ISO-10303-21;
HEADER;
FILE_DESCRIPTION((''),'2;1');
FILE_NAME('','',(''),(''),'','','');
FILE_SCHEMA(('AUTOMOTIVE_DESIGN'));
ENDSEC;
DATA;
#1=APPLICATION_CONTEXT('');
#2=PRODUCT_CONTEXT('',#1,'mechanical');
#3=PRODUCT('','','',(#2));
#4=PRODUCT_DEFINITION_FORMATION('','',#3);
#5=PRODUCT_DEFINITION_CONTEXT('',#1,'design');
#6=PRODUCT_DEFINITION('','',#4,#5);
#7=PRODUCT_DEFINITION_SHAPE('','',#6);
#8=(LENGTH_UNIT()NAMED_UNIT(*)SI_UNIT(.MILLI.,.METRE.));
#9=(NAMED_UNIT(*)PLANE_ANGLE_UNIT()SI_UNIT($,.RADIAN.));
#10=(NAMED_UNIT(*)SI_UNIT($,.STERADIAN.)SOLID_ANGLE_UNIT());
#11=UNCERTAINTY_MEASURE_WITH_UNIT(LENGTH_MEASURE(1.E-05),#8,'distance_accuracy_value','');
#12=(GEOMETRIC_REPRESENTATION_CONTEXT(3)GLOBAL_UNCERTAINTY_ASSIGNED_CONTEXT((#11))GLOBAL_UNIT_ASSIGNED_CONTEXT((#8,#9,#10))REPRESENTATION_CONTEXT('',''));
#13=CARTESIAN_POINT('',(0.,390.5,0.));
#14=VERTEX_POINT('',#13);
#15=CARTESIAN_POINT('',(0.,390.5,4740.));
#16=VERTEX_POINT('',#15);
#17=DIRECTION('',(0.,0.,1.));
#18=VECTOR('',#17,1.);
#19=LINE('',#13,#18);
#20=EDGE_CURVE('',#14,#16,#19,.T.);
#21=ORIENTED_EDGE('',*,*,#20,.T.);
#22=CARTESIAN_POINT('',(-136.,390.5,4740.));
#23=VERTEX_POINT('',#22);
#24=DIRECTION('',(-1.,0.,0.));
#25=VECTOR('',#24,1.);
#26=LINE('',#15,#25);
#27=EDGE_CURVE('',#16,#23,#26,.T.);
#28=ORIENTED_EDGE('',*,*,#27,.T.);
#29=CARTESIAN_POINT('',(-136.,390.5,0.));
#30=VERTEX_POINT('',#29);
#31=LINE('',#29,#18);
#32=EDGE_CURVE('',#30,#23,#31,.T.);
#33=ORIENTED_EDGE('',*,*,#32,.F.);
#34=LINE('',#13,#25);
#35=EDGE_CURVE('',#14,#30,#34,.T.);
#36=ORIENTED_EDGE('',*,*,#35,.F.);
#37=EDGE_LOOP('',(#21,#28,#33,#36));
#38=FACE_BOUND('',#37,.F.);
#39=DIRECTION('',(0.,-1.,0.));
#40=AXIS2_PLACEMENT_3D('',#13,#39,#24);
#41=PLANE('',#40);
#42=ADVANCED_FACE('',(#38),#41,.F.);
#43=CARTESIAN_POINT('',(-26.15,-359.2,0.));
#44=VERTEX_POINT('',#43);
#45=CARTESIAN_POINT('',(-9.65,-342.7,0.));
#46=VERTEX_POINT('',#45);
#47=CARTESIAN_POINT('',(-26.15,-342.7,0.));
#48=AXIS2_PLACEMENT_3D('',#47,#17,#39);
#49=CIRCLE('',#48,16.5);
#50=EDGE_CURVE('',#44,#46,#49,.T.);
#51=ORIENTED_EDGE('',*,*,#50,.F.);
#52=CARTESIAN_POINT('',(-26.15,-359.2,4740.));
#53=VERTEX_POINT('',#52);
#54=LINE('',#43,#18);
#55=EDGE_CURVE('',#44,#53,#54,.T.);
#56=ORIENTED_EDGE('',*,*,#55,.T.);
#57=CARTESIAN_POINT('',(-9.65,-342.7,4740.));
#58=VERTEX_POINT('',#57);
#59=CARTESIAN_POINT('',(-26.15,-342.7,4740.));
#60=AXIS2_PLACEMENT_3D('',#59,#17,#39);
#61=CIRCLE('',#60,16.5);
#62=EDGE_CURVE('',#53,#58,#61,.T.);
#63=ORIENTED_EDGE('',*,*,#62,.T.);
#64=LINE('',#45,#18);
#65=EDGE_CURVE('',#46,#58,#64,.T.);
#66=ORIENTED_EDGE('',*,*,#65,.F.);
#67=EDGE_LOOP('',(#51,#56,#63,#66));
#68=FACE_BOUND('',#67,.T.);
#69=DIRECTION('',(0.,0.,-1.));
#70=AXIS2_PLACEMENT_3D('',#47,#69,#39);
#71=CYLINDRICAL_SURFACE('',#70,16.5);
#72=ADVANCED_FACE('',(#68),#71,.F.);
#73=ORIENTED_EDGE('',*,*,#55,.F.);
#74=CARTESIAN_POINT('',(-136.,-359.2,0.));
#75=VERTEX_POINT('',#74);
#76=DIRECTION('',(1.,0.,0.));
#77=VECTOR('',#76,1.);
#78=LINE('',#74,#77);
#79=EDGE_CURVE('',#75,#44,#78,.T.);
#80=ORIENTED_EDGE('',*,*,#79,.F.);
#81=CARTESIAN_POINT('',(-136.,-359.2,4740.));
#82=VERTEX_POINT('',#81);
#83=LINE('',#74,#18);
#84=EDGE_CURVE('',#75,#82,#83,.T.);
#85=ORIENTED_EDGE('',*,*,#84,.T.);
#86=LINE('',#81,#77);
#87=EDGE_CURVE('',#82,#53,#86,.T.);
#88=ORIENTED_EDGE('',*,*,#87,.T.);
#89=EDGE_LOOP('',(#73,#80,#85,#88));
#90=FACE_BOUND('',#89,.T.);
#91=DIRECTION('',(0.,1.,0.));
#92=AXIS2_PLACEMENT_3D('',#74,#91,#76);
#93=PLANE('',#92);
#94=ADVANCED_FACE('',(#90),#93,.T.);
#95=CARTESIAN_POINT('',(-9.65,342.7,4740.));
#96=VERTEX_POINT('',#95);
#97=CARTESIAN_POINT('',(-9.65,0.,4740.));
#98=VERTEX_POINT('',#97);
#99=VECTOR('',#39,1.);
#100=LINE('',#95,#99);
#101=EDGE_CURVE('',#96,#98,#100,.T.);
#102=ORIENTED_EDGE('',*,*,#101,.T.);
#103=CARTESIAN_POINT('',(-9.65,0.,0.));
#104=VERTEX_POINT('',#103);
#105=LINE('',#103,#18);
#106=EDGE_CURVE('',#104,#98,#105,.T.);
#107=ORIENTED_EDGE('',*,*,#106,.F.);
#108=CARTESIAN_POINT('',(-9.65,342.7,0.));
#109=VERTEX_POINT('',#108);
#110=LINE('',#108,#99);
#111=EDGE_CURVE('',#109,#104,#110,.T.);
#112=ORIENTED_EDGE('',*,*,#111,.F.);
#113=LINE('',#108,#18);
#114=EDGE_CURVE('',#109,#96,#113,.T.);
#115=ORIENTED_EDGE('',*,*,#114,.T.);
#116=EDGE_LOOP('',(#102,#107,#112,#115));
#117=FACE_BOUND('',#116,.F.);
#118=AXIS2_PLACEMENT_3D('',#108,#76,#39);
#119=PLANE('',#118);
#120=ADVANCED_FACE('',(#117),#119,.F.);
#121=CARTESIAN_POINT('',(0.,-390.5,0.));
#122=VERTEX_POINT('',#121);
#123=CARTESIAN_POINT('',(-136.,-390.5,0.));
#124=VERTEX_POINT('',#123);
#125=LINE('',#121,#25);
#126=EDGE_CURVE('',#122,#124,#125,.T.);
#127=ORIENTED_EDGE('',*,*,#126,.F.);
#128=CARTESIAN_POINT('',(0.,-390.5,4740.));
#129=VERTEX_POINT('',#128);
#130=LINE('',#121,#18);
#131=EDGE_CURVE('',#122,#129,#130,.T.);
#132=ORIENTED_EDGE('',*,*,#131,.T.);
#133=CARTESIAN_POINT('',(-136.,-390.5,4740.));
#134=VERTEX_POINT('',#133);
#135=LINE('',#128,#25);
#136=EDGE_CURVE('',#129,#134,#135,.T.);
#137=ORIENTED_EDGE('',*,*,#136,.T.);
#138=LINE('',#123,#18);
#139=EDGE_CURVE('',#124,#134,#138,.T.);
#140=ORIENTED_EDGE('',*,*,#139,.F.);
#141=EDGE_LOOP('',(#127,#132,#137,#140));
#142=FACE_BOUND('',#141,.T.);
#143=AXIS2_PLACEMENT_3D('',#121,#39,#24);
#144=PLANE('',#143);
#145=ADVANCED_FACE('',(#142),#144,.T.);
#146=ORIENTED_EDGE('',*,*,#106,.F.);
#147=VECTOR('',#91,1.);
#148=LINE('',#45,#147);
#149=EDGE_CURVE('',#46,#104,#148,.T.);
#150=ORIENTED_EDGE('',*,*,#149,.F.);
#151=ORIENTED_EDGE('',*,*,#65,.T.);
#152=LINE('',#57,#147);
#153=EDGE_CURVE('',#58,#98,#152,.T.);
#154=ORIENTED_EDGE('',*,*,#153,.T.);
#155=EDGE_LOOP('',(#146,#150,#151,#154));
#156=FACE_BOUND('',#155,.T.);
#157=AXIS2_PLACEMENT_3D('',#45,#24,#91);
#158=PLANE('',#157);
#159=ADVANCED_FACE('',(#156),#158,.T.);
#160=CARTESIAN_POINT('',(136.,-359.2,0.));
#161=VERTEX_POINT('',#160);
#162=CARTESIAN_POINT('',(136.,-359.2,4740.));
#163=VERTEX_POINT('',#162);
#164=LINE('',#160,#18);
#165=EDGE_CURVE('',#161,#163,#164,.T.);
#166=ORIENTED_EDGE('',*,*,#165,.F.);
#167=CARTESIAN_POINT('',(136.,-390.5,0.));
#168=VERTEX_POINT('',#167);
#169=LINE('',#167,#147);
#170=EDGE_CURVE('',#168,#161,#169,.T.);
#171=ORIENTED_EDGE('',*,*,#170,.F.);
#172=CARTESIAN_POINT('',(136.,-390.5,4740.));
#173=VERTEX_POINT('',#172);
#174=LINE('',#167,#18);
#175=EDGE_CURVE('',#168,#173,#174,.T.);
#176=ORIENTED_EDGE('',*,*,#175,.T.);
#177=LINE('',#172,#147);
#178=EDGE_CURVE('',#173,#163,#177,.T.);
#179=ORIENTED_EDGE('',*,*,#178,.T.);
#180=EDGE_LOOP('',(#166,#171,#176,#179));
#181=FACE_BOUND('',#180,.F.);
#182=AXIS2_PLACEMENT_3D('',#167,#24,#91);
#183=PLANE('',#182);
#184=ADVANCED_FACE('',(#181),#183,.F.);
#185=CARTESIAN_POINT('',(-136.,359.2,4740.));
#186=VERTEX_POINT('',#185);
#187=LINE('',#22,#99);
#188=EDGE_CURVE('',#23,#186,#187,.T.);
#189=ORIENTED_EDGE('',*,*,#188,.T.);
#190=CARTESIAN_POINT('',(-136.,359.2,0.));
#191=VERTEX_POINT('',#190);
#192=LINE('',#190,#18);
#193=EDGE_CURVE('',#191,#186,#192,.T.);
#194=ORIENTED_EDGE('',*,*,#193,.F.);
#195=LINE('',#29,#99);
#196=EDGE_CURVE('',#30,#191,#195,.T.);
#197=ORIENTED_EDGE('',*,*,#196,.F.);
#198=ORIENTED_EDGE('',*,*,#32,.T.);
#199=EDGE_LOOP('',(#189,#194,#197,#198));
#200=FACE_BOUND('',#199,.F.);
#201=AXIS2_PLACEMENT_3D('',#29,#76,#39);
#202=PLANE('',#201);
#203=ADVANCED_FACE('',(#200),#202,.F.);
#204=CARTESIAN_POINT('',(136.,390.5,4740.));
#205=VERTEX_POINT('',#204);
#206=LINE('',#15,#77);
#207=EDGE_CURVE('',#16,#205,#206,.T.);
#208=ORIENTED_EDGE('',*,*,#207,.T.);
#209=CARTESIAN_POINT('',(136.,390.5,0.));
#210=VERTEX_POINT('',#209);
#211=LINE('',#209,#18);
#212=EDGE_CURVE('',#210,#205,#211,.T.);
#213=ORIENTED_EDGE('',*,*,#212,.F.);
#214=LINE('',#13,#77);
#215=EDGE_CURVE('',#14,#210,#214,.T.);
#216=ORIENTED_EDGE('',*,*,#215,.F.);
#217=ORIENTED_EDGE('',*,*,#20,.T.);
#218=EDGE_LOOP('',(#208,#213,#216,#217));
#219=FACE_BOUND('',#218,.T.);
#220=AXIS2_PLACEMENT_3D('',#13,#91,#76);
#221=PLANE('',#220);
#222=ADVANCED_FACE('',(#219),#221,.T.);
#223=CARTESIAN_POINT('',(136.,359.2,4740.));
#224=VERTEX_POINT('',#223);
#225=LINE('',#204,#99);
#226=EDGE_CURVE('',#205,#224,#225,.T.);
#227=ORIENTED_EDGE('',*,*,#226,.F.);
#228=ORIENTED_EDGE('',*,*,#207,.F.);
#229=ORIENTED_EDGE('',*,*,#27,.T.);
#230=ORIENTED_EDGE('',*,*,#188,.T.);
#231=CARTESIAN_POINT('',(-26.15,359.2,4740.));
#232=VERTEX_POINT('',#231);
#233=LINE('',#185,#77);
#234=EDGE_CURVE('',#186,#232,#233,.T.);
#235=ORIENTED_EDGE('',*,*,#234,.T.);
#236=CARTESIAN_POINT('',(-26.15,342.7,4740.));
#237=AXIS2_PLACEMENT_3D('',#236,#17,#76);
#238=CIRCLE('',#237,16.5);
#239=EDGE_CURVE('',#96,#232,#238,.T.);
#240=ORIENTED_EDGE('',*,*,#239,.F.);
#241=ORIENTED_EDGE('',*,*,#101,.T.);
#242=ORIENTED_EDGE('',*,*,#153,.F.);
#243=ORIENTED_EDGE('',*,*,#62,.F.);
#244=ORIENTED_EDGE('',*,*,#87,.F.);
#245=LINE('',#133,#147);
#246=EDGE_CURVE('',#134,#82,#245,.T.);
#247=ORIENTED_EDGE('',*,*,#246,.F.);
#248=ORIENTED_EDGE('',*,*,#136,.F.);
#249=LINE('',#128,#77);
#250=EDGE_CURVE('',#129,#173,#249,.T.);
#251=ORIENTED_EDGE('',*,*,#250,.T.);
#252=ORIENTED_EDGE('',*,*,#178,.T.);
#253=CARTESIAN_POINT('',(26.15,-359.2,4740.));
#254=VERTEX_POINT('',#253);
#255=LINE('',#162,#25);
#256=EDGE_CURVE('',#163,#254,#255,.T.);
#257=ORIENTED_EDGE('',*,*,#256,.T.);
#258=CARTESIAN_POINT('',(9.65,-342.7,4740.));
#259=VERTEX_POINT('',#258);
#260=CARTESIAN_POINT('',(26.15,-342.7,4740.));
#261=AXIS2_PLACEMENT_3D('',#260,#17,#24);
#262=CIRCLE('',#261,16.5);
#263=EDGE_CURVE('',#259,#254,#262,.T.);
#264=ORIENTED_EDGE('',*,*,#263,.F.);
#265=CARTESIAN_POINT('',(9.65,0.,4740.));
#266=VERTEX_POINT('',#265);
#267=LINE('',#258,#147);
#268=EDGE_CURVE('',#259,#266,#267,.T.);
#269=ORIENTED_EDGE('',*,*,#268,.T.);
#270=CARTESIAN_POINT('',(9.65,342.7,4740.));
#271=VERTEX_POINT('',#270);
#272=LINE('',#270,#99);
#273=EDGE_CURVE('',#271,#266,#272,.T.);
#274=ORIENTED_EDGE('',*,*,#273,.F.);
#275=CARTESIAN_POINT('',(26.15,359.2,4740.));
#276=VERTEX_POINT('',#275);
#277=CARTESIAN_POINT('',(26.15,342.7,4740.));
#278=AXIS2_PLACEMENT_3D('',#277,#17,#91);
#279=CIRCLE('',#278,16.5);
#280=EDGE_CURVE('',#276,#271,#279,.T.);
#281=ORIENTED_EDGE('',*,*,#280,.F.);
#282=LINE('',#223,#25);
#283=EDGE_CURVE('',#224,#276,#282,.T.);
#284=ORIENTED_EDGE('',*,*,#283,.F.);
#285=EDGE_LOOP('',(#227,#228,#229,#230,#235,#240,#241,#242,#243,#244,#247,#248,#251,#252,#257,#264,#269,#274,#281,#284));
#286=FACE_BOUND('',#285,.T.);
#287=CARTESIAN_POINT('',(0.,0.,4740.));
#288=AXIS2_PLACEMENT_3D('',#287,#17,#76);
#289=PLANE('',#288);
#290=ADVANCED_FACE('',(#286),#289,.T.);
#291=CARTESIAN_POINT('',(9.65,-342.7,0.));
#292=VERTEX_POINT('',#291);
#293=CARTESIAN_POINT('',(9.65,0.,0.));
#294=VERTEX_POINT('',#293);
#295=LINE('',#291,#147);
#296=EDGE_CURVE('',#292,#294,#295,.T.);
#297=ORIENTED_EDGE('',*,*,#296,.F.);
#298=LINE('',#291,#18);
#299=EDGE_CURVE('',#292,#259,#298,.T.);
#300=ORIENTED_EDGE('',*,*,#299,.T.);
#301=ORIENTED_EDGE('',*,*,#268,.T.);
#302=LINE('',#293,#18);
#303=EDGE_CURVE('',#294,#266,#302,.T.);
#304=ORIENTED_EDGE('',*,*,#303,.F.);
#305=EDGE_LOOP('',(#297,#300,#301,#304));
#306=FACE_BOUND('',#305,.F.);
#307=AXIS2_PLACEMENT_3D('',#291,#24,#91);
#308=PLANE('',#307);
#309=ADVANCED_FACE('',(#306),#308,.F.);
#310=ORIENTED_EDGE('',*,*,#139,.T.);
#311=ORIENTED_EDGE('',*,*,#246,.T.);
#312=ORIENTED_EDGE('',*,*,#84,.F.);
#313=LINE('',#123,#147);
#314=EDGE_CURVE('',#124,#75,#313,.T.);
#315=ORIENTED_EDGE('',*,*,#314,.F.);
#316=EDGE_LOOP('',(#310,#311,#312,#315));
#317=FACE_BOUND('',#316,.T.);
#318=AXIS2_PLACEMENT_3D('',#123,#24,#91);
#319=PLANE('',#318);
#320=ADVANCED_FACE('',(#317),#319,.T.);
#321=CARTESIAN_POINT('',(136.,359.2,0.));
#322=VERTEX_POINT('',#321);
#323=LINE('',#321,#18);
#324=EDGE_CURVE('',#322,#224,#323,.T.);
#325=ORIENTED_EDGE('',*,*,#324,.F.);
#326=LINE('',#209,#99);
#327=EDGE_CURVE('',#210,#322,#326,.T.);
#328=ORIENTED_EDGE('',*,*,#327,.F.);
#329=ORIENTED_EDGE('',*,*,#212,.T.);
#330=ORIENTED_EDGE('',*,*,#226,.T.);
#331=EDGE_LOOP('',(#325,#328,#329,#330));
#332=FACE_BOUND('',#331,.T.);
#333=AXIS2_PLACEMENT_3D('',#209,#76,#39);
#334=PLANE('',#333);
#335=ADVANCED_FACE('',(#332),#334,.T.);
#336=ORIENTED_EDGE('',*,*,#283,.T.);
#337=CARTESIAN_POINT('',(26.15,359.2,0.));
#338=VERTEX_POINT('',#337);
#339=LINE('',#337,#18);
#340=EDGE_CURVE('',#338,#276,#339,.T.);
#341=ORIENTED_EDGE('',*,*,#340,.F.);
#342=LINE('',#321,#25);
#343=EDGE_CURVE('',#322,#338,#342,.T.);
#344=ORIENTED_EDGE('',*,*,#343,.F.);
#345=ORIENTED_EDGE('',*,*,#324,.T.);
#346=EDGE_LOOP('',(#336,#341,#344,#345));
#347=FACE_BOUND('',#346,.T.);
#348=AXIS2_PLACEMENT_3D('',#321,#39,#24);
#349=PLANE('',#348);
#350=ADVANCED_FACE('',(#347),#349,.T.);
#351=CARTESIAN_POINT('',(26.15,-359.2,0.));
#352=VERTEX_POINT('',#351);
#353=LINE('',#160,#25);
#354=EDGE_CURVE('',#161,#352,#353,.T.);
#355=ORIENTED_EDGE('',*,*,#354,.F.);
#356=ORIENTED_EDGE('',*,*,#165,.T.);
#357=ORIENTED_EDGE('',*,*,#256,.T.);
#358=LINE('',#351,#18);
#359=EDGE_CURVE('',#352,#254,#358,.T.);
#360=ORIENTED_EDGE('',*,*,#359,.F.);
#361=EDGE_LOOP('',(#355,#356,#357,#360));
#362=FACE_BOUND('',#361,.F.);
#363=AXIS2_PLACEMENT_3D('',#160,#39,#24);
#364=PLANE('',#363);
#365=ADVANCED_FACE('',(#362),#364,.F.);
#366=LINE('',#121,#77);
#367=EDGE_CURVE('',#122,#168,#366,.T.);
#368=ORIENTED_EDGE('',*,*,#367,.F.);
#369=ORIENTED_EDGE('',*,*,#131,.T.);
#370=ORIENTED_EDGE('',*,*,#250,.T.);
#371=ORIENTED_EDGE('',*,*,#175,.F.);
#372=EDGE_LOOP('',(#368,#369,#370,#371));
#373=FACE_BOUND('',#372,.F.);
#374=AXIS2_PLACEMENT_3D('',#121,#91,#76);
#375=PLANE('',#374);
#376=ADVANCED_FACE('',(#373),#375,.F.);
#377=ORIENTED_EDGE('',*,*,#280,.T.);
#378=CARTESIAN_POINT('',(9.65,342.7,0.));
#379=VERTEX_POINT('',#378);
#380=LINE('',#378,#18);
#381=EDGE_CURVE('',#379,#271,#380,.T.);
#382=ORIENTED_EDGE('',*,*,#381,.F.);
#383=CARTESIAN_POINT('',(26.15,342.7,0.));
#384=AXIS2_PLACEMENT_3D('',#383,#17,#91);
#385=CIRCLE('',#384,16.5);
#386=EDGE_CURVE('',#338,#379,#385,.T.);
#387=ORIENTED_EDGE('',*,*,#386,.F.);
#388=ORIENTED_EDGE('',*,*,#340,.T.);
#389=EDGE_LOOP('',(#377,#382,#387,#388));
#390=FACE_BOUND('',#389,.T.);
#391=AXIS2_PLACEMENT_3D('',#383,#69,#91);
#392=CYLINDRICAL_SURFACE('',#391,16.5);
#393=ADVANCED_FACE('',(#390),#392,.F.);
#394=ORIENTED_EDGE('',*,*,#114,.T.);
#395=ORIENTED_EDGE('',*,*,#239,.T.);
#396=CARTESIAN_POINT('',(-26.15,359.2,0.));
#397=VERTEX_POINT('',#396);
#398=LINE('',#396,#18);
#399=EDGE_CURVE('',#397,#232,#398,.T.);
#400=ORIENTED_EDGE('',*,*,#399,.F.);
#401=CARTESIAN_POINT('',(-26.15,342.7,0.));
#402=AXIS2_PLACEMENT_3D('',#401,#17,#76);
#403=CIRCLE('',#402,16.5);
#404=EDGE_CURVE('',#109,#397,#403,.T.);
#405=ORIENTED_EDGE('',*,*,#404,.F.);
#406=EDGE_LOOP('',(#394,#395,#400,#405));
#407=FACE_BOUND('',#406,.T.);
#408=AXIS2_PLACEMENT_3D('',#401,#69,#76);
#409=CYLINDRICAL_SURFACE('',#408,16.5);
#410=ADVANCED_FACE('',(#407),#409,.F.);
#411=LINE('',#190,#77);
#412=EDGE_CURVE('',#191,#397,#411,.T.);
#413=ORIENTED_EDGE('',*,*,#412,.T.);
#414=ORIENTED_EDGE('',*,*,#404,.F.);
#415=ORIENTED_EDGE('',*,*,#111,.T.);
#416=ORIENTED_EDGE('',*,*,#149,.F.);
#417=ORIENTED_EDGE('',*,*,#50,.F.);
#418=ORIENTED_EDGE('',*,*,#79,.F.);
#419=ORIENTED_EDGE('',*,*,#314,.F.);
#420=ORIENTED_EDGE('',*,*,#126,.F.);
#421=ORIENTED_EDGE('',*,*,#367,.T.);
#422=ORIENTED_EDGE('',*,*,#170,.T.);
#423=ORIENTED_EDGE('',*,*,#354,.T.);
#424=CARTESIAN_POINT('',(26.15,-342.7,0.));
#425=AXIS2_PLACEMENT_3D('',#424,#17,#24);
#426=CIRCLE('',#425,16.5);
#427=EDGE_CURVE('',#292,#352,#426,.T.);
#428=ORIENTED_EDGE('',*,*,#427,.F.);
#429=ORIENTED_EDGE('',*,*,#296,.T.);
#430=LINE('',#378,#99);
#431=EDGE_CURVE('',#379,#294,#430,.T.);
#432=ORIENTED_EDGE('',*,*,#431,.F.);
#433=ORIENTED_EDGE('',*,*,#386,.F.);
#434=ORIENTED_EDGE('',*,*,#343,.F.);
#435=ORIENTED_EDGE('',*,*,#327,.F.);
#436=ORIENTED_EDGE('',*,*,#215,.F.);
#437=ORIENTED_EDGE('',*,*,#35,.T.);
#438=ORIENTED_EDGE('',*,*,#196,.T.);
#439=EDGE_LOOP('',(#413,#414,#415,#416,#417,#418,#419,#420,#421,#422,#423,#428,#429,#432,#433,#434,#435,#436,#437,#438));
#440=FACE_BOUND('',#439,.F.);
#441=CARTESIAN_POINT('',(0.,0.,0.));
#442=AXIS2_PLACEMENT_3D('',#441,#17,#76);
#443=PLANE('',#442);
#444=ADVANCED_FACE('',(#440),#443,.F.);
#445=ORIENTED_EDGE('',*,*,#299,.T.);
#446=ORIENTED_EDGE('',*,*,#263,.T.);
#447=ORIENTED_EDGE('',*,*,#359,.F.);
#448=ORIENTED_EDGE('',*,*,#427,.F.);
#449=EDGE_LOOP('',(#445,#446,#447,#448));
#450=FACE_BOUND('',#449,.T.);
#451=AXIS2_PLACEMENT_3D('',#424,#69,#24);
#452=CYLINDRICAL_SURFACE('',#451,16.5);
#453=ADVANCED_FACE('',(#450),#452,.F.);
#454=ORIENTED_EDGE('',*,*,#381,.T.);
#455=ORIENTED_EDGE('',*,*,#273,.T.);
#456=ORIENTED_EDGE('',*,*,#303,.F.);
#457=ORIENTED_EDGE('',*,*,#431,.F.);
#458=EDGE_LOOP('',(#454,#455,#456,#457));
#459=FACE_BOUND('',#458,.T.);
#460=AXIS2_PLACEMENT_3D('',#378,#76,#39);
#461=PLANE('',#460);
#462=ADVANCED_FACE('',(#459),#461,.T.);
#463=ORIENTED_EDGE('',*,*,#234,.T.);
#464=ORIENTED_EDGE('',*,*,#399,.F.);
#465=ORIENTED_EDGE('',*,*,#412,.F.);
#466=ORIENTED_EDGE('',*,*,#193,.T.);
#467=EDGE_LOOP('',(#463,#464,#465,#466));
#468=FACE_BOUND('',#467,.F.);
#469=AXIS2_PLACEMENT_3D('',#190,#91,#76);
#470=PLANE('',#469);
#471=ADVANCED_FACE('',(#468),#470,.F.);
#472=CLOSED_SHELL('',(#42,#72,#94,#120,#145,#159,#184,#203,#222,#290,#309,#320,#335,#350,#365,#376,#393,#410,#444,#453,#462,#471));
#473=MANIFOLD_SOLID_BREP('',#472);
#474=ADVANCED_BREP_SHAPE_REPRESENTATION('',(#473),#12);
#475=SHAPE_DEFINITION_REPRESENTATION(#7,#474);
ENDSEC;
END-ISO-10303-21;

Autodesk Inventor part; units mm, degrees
ref_plane "YZ Plane" through (0, 0, 0) normal (1, 0, 0) x (0, 1, 0)
ref_plane "Start plane" through (0, 0, 0) normal (0, 0, 1) x (1, 0, 0)
ref_plane "End plane" through (0, 0, 4740) normal (0, 0, 1) x (1, 0, 0)
sketch "Sketch" plane through (0, 0, 0) normal (0, 0, 1) x (1, 0, 0)
  line L0 (-136, -390.5) -> (-136, -359.2)
  line L1 (-136, -359.2) -> (-26.15, -359.2)
  line L2 (-9.65, -342.7) -> (-9.65, 0)
  line L3 (-9.65, 0) -> (0, 0) construction
  line L4 (0, 0) -> (0, -390.5) construction
  line L5 (0, -390.5) -> (-136, -390.5)
  line L6 (-60, 0) -> (80, 0) construction
  line L7 (0, -60) -> (0, 80) construction
  line L8 (136, -390.5) -> (136, -359.2)
  line L9 (136, -359.2) -> (26.15, -359.2)
  line L10 (9.65, -342.7) -> (9.65, 0)
  line L11 (9.65, 0) -> (0, 0) construction
  line L12 (0, -390.5) -> (136, -390.5)
  line L13 (-136, 390.5) -> (-136, 359.2)
  line L14 (-136, 359.2) -> (-26.15, 359.2)
  line L15 (-9.65, 342.7) -> (-9.65, 0)
  line L16 (0, 390.5) -> (-136, 390.5)
  line L17 (136, 390.5) -> (136, 359.2)
  line L18 (136, 359.2) -> (26.15, 359.2)
  line L19 (0, 390.5) -> (136, 390.5)
  line L20 (9.65, 342.7) -> (9.65, 0)
  arc A0 (-9.65, 342.7) -> (-26.15, 359.2) centre (-26.15, 342.7) ccw
  arc A1 (26.15, 359.2) -> (9.65, 342.7) centre (26.15, 342.7) ccw
  arc A2 (9.65, -342.7) -> (26.15, -359.2) centre (26.15, -342.7) ccw
  arc A3 (-26.15, -359.2) -> (-9.65, -342.7) centre (-26.15, -342.7) ccw
  line L21 (0, 108) -> (0, -88) construction
  line L22 (-88, 0) -> (108, 0) construction
  point P0 (-9.65, -359.2)
  point P1 (9.65, -359.2)
  point P2 (-9.65, 359.2)
  point P3 (9.65, 359.2)
  dimension "d1" = 390.5
  dimension "d2" = 31.3
  dimension "d3" = 136
  dimension "d4" = 9.65
  dimension "d10" = 16.5
extrude "Body" add sketch "Sketch" along normal up to surface (4740 mm away) from surface at 0
sketch "Sketch4" plane through (0, 0, 0) normal (0, 0, 1) x (1, 0, 0)
  line L0 (0, 0) -> (10, 0)
ref_plane "Work Plane3" through (0, 0, 0) normal (0, -1, 0) x (1, 0, 0)
sketch "Sketch5" plane through (0, 0, 0) normal (0, -1, 0) x (1, 0, 0)
  line L0 (-2, 0) -> (12, 0) projected
  line L1 (-2, 4740) -> (12, 4740) projected
  dimension "d14" = 4740
equation "\"d1\" = 0.5 * G_H"
equation "\"d2\" = G_T1"
equation "\"d3\" = 0.5 * G_W"
equation "\"d4\" = 0.5 * G_T"
equation "\"d10\" = G_IR"
equation "\"d5\" = G_L"
equation "\"G_W\" = 272"
equation "\"G_H\" = 781"
equation "\"G_T\" = 19.3"
equation "\"G_T1\" = 31.3"
equation "\"G_IR\" = 16.5"
equation "\"G_L\" = d14"
equation "\"G_OFFSET_START\" = 0"
equation "\"G_OFFSET_END\" = 0"
properties part number "AS 3679-1990 - 760 UB - 244 - 4740" material "Steel, Mild"
